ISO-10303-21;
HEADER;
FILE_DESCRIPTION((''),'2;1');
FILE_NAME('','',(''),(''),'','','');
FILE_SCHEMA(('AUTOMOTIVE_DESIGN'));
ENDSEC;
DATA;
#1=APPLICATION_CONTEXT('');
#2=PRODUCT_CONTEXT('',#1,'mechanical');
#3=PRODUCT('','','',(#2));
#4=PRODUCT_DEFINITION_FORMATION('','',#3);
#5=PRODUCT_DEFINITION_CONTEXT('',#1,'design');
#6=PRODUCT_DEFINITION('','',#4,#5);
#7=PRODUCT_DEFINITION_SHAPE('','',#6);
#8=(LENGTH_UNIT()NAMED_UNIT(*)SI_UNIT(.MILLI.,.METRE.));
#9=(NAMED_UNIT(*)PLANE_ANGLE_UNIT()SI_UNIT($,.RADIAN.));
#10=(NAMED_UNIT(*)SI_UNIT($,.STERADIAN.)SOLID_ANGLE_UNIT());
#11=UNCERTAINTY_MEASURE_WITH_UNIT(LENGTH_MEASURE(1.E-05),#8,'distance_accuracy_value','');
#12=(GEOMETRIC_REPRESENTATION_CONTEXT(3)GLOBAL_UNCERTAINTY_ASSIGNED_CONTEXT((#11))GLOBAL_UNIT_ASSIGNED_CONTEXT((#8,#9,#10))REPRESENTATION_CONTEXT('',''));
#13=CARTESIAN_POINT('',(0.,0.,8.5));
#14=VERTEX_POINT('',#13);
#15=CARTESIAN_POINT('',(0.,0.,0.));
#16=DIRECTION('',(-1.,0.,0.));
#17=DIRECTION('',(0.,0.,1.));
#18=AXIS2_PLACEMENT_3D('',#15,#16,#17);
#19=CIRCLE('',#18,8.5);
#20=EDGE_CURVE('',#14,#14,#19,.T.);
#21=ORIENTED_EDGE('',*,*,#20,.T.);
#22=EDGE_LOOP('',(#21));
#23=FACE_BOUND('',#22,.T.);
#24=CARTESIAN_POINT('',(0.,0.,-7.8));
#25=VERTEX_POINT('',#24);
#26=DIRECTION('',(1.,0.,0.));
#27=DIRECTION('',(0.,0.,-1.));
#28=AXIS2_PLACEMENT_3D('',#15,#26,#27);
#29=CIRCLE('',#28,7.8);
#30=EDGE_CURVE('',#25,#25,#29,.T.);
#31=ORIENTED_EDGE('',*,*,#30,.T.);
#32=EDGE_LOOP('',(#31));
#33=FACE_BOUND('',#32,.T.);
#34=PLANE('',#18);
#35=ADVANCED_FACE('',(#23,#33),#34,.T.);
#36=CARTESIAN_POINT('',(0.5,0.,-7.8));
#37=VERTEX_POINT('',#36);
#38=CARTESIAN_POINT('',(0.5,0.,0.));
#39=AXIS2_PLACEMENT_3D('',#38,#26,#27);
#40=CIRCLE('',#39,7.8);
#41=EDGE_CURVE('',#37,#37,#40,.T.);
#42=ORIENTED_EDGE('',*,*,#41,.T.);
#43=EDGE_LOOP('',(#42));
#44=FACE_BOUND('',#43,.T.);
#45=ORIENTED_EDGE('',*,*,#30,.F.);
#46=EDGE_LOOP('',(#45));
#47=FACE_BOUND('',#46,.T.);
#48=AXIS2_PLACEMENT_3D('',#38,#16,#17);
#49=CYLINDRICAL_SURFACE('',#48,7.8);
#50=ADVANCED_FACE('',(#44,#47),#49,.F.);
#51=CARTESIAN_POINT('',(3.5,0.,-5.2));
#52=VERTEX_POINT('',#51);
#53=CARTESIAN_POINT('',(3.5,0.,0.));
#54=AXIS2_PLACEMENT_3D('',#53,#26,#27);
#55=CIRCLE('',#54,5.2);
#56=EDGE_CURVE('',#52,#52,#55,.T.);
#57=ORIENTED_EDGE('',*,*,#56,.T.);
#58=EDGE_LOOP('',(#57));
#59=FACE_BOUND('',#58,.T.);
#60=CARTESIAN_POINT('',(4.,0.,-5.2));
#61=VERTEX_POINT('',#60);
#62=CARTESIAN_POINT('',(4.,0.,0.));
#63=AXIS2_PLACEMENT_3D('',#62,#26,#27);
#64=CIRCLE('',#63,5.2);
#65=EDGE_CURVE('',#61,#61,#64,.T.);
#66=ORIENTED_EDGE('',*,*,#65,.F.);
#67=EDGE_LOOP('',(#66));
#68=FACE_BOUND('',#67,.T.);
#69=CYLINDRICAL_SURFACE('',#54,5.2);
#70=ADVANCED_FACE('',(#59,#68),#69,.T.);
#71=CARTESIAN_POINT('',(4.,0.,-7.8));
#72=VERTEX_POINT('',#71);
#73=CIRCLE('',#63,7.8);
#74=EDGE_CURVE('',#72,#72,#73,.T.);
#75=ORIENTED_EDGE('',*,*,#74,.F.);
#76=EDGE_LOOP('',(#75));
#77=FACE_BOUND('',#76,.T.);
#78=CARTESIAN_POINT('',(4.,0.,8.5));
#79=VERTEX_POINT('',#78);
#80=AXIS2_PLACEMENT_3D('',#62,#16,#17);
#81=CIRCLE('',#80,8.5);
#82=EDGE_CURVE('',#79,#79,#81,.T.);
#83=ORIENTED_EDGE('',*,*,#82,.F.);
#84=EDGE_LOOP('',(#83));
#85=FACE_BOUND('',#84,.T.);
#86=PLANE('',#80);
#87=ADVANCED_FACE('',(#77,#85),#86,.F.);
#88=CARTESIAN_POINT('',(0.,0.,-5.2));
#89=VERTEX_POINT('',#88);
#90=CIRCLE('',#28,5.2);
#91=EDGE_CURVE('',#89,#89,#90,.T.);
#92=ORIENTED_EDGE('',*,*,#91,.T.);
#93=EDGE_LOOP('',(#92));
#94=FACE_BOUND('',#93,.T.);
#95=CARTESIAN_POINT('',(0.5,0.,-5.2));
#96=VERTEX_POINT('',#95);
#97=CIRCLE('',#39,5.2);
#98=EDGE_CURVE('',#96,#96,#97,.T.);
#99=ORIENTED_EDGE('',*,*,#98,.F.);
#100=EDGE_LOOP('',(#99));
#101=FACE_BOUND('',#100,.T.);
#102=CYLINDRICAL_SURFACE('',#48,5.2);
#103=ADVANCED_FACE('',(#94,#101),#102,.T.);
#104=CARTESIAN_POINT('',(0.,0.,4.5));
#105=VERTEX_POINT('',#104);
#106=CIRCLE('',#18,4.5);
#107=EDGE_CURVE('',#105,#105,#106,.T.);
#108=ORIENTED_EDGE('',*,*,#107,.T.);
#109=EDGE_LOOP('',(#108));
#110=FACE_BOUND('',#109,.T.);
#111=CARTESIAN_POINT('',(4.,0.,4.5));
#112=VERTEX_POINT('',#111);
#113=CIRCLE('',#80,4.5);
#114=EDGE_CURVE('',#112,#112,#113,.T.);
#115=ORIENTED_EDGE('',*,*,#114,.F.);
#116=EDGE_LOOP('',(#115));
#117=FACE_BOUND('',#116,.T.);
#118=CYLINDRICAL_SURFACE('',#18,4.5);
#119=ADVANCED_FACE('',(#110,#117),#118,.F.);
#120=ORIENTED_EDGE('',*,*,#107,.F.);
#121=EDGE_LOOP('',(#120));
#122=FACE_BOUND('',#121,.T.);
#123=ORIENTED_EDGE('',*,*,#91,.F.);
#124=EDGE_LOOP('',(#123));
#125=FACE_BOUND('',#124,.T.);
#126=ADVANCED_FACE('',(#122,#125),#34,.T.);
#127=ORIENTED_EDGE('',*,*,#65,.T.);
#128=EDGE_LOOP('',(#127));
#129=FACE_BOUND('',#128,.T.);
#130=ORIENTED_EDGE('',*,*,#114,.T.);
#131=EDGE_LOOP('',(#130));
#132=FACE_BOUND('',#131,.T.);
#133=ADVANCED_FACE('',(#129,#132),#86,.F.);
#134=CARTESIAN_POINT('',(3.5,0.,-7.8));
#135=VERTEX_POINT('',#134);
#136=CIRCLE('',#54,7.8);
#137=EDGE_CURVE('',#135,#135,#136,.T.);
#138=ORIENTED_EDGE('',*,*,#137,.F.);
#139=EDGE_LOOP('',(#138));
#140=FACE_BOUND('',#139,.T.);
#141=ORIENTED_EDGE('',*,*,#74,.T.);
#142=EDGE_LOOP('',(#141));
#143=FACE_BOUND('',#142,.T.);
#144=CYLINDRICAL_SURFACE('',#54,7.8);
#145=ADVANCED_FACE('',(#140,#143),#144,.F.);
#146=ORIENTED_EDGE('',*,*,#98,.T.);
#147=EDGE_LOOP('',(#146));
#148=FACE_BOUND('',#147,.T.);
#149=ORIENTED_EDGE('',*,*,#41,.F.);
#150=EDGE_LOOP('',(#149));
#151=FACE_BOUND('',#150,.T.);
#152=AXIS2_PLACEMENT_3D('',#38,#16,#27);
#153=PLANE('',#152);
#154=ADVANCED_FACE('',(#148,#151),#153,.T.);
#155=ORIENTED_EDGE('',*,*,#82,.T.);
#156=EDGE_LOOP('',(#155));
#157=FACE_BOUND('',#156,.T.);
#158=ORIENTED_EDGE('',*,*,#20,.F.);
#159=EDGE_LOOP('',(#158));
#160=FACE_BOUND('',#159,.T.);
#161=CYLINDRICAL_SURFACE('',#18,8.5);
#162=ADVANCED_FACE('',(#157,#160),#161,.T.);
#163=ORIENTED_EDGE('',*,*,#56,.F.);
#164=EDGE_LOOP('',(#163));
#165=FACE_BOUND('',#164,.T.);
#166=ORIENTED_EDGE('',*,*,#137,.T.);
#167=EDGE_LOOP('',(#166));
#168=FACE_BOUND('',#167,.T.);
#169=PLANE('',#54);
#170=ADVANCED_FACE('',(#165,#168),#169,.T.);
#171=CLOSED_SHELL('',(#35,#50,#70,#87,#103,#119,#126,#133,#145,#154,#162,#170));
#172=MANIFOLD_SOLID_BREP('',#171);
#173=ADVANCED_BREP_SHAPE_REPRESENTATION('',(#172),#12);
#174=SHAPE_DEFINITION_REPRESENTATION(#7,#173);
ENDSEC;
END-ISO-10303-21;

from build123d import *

# Parameters (mm, degrees)
CROQUIS1_W            = 4
CROQUIS1_H            = 4
CROQUIS2_R            = 7.8
CROQUIS2_R_2          = 5.2
CORTAR_EXTRUIR1_DEPTH = 0.5


with BuildPart() as part:
    # Croquis1 → Revolución1 (revolve)
    with BuildSketch(Plane.XY):
        with Locations((2, 6.5)):
            Rectangle(CROQUIS1_W, CROQUIS1_H)
    revolve(axis=Axis((0, 0, 0), (1, 0, 0)))

    # Croquis2 → Cortar-Extruir1 (cut)
    with BuildSketch(Plane(origin=(4, 0, 0), x_dir=(0, 0, -1), z_dir=(1, 0, 0))):
        Circle(CROQUIS2_R)
        Circle(CROQUIS2_R_2, mode=Mode.SUBTRACT)
    cortar_extruir1 = extrude(amount=-CORTAR_EXTRUIR1_DEPTH, mode=Mode.SUBTRACT)

    # Simetría1: Cortar-Extruir1 across plane
    add(cortar_extruir1.mirror(Plane(origin=(2, 0, 0), x_dir=(0, 0, 1), z_dir=(1, 0, 0))), mode=Mode.SUBTRACT)


solid = part.part
